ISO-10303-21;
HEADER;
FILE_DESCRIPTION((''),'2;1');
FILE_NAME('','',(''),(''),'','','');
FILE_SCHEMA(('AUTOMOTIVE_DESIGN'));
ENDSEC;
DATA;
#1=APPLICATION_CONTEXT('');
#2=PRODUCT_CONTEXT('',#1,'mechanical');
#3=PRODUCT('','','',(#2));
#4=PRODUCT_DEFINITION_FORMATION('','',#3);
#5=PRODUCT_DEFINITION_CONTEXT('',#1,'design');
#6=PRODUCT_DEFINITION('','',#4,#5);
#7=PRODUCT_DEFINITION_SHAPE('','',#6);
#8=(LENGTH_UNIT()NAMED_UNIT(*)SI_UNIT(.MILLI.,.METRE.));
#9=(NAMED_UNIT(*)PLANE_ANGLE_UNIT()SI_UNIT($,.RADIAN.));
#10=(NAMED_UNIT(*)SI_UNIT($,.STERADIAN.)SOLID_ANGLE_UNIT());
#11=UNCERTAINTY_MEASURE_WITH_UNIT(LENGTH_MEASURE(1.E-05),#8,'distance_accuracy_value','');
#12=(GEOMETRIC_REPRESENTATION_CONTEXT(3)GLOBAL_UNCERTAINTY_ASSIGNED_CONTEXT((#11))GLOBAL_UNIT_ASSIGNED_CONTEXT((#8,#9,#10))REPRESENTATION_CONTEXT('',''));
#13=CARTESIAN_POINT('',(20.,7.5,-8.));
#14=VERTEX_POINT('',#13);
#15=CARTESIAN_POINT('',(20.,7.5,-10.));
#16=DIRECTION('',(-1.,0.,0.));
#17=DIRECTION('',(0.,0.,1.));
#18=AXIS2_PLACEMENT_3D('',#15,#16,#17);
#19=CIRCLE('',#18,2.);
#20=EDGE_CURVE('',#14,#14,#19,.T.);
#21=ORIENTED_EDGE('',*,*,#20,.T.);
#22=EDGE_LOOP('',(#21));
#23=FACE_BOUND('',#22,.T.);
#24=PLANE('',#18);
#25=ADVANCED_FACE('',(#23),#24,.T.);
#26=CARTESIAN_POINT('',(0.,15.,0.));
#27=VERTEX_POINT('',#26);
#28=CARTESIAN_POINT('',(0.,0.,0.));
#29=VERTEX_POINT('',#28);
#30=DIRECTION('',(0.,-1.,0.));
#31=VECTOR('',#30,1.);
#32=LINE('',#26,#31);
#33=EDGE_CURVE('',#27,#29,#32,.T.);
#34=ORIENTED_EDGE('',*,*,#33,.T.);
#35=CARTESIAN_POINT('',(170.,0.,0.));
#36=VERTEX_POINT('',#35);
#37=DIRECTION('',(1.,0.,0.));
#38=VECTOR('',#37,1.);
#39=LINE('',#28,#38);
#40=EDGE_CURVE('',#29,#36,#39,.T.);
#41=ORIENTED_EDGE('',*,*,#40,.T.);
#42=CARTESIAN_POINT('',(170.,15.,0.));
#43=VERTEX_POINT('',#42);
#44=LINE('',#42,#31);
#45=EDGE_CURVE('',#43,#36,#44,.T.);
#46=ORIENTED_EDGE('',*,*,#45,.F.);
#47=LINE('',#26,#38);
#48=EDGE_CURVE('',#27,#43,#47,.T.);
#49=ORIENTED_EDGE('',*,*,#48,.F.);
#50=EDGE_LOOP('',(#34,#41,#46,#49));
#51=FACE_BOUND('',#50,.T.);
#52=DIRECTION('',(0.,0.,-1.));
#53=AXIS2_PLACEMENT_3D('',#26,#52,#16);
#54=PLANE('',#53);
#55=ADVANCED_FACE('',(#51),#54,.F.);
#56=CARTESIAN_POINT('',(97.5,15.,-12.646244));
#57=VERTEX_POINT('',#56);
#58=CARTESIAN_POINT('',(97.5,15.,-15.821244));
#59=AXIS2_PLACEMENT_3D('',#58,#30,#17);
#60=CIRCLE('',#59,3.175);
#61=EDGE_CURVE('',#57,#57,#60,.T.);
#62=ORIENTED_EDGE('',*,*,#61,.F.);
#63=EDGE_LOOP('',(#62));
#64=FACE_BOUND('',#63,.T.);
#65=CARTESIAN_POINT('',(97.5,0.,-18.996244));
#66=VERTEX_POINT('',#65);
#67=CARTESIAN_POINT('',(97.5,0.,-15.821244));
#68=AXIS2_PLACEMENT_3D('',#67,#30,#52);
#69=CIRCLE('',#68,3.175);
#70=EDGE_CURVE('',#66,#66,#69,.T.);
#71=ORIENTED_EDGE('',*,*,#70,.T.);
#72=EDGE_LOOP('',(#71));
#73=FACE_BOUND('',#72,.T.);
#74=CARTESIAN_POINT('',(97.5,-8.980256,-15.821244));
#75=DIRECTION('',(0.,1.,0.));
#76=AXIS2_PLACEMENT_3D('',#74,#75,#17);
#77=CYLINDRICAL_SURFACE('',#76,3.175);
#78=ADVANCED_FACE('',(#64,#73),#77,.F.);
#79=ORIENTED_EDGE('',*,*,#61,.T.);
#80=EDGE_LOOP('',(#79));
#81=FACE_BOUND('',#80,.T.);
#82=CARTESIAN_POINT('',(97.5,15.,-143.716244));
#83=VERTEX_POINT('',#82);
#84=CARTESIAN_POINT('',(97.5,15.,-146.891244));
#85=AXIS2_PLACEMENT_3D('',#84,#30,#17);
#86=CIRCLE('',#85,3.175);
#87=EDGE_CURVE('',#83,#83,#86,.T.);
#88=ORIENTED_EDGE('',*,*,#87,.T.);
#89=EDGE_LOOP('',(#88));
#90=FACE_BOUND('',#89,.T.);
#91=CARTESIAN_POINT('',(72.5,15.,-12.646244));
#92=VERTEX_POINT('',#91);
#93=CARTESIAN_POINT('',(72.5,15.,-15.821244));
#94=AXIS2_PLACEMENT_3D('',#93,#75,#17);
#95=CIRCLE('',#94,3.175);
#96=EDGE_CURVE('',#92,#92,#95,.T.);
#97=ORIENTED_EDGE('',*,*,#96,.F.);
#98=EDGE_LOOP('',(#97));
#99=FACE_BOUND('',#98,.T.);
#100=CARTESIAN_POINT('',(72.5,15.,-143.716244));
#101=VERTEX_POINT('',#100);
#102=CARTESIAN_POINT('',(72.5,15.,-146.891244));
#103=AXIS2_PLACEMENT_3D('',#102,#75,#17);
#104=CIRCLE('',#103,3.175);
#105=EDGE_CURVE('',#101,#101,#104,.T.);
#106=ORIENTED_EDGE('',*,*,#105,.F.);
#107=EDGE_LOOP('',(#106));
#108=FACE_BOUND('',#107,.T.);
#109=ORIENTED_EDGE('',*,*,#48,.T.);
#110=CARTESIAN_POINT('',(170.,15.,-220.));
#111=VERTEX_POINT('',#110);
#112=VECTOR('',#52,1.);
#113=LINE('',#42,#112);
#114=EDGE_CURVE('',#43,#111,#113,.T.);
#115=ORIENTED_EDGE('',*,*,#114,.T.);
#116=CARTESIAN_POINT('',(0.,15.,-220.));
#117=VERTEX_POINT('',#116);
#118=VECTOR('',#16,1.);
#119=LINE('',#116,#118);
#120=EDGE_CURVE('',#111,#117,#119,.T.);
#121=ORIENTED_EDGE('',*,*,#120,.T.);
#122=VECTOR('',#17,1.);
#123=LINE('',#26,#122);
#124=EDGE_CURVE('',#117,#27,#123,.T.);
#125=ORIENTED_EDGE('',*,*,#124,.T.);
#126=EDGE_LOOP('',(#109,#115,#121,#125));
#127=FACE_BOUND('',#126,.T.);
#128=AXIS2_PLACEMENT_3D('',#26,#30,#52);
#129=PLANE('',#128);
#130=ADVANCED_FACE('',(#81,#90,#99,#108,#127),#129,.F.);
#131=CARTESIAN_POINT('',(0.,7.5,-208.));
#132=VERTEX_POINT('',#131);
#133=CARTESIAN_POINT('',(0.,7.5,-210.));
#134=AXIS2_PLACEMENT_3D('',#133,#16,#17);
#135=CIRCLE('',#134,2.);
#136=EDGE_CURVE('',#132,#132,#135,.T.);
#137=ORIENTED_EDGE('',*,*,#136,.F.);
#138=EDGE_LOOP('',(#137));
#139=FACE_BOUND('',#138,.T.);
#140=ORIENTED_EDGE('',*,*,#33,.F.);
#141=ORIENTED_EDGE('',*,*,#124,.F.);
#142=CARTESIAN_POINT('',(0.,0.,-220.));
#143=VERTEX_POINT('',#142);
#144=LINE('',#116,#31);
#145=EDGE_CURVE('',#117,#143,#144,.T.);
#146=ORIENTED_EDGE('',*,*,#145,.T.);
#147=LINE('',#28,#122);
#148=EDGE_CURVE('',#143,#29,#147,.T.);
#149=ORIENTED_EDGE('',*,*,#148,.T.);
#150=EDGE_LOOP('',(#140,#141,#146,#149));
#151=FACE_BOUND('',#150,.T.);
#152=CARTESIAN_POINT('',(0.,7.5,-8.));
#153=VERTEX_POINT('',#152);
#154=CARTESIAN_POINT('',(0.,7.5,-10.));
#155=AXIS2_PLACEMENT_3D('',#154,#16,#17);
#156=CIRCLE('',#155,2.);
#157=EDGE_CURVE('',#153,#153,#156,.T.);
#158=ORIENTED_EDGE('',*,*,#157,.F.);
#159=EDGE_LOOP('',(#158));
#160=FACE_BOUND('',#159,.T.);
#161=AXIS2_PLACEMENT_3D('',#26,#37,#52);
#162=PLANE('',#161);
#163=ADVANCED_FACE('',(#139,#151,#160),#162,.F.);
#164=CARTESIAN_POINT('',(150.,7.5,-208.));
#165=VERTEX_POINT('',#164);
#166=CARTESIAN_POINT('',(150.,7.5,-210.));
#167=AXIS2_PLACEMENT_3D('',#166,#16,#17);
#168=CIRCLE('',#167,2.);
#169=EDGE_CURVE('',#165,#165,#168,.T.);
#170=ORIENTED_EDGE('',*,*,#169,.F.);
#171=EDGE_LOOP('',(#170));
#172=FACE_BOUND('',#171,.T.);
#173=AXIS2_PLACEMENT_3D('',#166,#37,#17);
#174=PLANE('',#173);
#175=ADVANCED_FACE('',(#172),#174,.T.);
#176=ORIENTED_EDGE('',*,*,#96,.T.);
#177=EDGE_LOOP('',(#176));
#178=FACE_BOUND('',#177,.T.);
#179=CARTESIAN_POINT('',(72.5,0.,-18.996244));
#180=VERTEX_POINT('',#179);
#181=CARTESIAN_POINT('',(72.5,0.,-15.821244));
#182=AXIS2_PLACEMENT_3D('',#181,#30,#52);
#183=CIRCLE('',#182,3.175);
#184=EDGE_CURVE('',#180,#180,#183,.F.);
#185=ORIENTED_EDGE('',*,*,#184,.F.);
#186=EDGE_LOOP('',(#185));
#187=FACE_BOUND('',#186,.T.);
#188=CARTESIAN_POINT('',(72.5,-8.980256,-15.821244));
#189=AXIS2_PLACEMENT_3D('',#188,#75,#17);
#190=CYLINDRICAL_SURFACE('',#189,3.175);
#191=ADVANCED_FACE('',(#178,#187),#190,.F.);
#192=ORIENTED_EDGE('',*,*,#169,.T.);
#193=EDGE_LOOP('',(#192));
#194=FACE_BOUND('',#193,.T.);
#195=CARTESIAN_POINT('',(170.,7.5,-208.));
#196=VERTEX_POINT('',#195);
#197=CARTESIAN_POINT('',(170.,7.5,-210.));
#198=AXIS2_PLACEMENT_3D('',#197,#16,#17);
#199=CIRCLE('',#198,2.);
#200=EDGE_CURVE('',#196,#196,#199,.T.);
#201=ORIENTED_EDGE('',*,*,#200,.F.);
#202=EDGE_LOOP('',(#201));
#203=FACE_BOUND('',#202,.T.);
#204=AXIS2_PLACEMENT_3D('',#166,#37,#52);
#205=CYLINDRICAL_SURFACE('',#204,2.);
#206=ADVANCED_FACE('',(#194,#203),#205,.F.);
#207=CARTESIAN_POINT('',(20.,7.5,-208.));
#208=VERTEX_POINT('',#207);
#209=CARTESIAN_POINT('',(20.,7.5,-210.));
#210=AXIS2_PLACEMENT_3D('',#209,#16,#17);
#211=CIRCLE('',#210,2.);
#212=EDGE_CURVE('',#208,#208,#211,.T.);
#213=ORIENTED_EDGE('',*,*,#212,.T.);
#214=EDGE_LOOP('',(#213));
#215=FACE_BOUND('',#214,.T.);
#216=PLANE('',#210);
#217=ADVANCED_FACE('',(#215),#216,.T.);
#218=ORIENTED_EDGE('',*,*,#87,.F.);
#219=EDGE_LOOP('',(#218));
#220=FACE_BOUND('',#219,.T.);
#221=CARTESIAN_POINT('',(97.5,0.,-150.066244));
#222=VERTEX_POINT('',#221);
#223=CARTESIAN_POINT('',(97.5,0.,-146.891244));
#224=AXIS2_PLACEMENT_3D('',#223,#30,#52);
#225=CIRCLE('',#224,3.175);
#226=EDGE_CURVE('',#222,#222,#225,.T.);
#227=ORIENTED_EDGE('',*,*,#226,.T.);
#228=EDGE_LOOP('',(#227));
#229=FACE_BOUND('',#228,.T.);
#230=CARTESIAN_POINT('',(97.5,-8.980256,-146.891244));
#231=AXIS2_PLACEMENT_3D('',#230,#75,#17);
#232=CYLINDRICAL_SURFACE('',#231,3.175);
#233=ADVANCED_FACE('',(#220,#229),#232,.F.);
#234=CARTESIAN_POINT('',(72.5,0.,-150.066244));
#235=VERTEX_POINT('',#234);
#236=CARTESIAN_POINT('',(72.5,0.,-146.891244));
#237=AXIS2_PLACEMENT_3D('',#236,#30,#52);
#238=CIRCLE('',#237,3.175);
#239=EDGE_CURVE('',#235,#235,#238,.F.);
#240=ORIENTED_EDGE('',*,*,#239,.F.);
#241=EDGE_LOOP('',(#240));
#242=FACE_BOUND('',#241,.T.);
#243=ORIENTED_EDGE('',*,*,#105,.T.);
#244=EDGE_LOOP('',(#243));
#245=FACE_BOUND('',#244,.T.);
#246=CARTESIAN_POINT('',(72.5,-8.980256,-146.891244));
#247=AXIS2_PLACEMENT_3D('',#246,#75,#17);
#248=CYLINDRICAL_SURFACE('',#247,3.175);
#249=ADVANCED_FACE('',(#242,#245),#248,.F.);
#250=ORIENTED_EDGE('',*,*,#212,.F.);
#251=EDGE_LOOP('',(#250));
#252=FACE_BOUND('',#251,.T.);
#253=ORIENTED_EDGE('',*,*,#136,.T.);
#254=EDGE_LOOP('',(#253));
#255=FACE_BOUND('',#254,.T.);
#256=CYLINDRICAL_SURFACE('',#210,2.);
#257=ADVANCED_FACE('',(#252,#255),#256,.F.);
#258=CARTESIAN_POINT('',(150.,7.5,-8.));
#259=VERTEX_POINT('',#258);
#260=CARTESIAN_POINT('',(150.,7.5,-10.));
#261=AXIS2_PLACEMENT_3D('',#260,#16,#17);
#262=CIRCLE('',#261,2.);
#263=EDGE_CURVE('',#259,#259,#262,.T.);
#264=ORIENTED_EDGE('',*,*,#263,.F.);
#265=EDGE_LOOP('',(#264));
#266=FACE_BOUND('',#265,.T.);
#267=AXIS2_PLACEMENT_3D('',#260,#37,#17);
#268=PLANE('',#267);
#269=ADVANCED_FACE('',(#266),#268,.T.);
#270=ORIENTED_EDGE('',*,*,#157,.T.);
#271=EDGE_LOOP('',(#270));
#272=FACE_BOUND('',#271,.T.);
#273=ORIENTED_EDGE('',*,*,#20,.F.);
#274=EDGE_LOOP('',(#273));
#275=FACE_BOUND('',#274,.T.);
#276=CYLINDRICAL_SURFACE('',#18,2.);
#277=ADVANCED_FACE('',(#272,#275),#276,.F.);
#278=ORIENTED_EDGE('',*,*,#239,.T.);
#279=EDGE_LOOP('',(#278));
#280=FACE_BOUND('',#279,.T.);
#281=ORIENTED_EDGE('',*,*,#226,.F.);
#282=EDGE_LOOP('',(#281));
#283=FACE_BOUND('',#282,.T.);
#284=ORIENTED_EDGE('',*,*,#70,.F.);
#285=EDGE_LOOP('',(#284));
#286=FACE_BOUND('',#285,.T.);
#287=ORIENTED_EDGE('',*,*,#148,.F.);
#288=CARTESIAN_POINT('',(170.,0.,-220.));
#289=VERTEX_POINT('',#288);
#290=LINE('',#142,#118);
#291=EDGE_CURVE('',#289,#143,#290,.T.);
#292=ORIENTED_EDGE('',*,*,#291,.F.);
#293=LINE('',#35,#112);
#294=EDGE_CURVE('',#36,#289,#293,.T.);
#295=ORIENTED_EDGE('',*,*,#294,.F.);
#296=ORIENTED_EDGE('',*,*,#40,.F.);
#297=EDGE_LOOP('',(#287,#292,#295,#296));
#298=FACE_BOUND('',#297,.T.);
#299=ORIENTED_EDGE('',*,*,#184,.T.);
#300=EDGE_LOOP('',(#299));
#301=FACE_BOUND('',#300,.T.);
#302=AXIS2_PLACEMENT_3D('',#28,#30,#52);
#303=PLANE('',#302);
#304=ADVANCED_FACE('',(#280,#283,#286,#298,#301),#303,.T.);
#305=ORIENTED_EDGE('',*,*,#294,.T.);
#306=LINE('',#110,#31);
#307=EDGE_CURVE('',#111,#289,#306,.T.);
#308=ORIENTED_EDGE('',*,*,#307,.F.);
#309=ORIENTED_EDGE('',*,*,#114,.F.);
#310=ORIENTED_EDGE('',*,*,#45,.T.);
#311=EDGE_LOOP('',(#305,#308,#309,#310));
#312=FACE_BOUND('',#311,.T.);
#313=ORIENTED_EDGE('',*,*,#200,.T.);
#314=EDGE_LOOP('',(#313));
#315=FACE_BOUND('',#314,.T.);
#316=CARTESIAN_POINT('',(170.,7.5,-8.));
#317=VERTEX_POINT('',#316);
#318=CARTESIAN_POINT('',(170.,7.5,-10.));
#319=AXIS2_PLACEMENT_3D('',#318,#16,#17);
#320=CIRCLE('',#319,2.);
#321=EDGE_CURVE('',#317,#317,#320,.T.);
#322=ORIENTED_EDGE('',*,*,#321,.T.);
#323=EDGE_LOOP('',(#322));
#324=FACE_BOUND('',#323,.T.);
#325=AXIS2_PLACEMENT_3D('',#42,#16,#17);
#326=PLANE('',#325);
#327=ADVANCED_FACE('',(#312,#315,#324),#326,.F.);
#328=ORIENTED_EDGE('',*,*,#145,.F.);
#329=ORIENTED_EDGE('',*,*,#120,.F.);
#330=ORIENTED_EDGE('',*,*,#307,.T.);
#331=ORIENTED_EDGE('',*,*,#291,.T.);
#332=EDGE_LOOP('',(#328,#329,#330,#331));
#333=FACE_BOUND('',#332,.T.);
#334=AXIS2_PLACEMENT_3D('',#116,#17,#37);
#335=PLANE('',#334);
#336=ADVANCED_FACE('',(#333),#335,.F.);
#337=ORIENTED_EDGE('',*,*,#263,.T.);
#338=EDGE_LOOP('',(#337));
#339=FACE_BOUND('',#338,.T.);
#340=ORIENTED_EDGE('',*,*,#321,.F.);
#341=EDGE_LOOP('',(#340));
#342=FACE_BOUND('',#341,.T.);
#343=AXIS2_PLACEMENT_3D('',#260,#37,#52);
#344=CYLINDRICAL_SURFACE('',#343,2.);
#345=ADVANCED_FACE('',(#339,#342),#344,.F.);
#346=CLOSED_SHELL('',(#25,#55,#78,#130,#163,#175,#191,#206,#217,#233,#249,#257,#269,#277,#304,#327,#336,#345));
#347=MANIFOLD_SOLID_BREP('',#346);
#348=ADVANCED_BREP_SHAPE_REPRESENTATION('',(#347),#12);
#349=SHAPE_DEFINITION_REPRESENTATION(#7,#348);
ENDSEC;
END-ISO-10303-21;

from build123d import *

# Parameters (mm, degrees)
SKETCH1_W           = 170
SKETCH1_H           = 220
BOSS_EXTRUDE1_DEPTH = 15
SKETCH2_R           = 2
CUT_EXTRUDE1_DEPTH  = 20
SKETCH3_R           = 3.175
CUT_EXTRUDE2_DEPTH  = 15


with BuildPart() as part:
    # Sketch1 → Boss-Extrude1 (new body)
    with BuildSketch(Plane(origin=(0, 0, 0), x_dir=(1, 0, 0), z_dir=(0, 1, 0))):
        with Locations((85, 110)):
            Rectangle(SKETCH1_W, SKETCH1_H)
    extrude(amount=BOSS_EXTRUDE1_DEPTH)

    # Sketch2 → Cut-Extrude1 (cut)
    with BuildSketch(Plane.ZY):
        with Locations((-10, 7.5)):
            Circle(SKETCH2_R)
        with Locations((-210, 7.5)):
            Circle(SKETCH2_R)
    cut_extrude1 = extrude(amount=-CUT_EXTRUDE1_DEPTH, mode=Mode.SUBTRACT)

    # Sketch3 → Cut-Extrude2 (cut)
    with BuildSketch(Plane(origin=(0, 15, 0), x_dir=(1, 0, 0), z_dir=(0, 1, 0))):
        with Locations((72.5, 15.821244145)):
            Circle(SKETCH3_R)
        with Locations((72.5, 146.891244145)):
            Circle(SKETCH3_R)
    cut_extrude2 = extrude(amount=-CUT_EXTRUDE2_DEPTH, mode=Mode.SUBTRACT)

    # Mirror1: Cut-Extrude1, Cut-Extrude2 across plane
    add(cut_extrude1.mirror(Plane.ZY.offset(-85)), mode=Mode.SUBTRACT)
    add(cut_extrude2.mirror(Plane.ZY.offset(-85)), mode=Mode.SUBTRACT)


solid = part.part
